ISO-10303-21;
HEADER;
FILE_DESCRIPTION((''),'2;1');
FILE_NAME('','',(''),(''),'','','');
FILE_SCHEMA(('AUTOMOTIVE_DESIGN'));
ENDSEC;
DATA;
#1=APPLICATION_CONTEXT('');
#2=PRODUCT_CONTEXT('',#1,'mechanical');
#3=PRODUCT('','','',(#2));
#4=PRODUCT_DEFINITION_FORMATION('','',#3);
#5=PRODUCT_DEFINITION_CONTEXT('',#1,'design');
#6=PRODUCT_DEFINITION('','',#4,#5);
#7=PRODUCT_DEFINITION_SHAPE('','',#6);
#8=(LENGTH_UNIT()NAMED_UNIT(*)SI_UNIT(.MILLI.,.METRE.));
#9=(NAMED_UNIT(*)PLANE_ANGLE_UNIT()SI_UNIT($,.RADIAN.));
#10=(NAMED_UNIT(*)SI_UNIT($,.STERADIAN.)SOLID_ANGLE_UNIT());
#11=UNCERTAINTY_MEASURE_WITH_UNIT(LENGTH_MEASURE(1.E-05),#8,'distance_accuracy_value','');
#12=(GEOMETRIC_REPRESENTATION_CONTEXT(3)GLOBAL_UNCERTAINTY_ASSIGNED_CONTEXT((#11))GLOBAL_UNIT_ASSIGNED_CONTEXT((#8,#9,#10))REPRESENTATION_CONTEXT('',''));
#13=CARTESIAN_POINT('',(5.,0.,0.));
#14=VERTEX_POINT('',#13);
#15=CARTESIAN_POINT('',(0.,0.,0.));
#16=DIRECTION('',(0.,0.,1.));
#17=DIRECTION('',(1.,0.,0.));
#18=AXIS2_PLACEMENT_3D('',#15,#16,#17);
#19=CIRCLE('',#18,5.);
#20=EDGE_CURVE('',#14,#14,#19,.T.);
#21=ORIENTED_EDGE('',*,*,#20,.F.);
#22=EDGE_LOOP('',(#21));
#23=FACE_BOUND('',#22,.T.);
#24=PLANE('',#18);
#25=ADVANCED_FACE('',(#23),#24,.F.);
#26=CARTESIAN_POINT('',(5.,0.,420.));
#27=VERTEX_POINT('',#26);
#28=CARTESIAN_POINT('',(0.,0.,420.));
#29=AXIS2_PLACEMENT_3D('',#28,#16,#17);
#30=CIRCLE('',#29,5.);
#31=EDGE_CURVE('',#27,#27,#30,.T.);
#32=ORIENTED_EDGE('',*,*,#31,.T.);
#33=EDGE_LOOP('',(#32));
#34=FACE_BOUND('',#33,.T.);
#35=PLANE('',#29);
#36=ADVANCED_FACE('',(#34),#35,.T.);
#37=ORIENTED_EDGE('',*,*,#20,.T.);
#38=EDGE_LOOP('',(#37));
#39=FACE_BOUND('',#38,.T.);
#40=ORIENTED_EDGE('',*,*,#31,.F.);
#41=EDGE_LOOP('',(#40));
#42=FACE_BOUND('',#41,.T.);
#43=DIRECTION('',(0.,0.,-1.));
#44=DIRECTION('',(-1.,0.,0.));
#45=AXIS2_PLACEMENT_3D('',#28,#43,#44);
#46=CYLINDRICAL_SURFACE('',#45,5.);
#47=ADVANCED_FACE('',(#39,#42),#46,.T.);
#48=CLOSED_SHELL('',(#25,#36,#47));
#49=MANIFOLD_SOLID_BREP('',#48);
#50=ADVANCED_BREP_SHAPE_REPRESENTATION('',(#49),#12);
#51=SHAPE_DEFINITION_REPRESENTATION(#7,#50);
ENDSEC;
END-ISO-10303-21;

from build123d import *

# Parameters (mm, degrees)
SKETCH1_R           = 5
BOSS_EXTRUDE1_DEPTH = 420


with BuildPart() as part:
    # Sketch1 → Boss-Extrude1 (new body)
    with BuildSketch(Plane.XY):
        Circle(SKETCH1_R)
    extrude(amount=BOSS_EXTRUDE1_DEPTH)


solid = part.part
